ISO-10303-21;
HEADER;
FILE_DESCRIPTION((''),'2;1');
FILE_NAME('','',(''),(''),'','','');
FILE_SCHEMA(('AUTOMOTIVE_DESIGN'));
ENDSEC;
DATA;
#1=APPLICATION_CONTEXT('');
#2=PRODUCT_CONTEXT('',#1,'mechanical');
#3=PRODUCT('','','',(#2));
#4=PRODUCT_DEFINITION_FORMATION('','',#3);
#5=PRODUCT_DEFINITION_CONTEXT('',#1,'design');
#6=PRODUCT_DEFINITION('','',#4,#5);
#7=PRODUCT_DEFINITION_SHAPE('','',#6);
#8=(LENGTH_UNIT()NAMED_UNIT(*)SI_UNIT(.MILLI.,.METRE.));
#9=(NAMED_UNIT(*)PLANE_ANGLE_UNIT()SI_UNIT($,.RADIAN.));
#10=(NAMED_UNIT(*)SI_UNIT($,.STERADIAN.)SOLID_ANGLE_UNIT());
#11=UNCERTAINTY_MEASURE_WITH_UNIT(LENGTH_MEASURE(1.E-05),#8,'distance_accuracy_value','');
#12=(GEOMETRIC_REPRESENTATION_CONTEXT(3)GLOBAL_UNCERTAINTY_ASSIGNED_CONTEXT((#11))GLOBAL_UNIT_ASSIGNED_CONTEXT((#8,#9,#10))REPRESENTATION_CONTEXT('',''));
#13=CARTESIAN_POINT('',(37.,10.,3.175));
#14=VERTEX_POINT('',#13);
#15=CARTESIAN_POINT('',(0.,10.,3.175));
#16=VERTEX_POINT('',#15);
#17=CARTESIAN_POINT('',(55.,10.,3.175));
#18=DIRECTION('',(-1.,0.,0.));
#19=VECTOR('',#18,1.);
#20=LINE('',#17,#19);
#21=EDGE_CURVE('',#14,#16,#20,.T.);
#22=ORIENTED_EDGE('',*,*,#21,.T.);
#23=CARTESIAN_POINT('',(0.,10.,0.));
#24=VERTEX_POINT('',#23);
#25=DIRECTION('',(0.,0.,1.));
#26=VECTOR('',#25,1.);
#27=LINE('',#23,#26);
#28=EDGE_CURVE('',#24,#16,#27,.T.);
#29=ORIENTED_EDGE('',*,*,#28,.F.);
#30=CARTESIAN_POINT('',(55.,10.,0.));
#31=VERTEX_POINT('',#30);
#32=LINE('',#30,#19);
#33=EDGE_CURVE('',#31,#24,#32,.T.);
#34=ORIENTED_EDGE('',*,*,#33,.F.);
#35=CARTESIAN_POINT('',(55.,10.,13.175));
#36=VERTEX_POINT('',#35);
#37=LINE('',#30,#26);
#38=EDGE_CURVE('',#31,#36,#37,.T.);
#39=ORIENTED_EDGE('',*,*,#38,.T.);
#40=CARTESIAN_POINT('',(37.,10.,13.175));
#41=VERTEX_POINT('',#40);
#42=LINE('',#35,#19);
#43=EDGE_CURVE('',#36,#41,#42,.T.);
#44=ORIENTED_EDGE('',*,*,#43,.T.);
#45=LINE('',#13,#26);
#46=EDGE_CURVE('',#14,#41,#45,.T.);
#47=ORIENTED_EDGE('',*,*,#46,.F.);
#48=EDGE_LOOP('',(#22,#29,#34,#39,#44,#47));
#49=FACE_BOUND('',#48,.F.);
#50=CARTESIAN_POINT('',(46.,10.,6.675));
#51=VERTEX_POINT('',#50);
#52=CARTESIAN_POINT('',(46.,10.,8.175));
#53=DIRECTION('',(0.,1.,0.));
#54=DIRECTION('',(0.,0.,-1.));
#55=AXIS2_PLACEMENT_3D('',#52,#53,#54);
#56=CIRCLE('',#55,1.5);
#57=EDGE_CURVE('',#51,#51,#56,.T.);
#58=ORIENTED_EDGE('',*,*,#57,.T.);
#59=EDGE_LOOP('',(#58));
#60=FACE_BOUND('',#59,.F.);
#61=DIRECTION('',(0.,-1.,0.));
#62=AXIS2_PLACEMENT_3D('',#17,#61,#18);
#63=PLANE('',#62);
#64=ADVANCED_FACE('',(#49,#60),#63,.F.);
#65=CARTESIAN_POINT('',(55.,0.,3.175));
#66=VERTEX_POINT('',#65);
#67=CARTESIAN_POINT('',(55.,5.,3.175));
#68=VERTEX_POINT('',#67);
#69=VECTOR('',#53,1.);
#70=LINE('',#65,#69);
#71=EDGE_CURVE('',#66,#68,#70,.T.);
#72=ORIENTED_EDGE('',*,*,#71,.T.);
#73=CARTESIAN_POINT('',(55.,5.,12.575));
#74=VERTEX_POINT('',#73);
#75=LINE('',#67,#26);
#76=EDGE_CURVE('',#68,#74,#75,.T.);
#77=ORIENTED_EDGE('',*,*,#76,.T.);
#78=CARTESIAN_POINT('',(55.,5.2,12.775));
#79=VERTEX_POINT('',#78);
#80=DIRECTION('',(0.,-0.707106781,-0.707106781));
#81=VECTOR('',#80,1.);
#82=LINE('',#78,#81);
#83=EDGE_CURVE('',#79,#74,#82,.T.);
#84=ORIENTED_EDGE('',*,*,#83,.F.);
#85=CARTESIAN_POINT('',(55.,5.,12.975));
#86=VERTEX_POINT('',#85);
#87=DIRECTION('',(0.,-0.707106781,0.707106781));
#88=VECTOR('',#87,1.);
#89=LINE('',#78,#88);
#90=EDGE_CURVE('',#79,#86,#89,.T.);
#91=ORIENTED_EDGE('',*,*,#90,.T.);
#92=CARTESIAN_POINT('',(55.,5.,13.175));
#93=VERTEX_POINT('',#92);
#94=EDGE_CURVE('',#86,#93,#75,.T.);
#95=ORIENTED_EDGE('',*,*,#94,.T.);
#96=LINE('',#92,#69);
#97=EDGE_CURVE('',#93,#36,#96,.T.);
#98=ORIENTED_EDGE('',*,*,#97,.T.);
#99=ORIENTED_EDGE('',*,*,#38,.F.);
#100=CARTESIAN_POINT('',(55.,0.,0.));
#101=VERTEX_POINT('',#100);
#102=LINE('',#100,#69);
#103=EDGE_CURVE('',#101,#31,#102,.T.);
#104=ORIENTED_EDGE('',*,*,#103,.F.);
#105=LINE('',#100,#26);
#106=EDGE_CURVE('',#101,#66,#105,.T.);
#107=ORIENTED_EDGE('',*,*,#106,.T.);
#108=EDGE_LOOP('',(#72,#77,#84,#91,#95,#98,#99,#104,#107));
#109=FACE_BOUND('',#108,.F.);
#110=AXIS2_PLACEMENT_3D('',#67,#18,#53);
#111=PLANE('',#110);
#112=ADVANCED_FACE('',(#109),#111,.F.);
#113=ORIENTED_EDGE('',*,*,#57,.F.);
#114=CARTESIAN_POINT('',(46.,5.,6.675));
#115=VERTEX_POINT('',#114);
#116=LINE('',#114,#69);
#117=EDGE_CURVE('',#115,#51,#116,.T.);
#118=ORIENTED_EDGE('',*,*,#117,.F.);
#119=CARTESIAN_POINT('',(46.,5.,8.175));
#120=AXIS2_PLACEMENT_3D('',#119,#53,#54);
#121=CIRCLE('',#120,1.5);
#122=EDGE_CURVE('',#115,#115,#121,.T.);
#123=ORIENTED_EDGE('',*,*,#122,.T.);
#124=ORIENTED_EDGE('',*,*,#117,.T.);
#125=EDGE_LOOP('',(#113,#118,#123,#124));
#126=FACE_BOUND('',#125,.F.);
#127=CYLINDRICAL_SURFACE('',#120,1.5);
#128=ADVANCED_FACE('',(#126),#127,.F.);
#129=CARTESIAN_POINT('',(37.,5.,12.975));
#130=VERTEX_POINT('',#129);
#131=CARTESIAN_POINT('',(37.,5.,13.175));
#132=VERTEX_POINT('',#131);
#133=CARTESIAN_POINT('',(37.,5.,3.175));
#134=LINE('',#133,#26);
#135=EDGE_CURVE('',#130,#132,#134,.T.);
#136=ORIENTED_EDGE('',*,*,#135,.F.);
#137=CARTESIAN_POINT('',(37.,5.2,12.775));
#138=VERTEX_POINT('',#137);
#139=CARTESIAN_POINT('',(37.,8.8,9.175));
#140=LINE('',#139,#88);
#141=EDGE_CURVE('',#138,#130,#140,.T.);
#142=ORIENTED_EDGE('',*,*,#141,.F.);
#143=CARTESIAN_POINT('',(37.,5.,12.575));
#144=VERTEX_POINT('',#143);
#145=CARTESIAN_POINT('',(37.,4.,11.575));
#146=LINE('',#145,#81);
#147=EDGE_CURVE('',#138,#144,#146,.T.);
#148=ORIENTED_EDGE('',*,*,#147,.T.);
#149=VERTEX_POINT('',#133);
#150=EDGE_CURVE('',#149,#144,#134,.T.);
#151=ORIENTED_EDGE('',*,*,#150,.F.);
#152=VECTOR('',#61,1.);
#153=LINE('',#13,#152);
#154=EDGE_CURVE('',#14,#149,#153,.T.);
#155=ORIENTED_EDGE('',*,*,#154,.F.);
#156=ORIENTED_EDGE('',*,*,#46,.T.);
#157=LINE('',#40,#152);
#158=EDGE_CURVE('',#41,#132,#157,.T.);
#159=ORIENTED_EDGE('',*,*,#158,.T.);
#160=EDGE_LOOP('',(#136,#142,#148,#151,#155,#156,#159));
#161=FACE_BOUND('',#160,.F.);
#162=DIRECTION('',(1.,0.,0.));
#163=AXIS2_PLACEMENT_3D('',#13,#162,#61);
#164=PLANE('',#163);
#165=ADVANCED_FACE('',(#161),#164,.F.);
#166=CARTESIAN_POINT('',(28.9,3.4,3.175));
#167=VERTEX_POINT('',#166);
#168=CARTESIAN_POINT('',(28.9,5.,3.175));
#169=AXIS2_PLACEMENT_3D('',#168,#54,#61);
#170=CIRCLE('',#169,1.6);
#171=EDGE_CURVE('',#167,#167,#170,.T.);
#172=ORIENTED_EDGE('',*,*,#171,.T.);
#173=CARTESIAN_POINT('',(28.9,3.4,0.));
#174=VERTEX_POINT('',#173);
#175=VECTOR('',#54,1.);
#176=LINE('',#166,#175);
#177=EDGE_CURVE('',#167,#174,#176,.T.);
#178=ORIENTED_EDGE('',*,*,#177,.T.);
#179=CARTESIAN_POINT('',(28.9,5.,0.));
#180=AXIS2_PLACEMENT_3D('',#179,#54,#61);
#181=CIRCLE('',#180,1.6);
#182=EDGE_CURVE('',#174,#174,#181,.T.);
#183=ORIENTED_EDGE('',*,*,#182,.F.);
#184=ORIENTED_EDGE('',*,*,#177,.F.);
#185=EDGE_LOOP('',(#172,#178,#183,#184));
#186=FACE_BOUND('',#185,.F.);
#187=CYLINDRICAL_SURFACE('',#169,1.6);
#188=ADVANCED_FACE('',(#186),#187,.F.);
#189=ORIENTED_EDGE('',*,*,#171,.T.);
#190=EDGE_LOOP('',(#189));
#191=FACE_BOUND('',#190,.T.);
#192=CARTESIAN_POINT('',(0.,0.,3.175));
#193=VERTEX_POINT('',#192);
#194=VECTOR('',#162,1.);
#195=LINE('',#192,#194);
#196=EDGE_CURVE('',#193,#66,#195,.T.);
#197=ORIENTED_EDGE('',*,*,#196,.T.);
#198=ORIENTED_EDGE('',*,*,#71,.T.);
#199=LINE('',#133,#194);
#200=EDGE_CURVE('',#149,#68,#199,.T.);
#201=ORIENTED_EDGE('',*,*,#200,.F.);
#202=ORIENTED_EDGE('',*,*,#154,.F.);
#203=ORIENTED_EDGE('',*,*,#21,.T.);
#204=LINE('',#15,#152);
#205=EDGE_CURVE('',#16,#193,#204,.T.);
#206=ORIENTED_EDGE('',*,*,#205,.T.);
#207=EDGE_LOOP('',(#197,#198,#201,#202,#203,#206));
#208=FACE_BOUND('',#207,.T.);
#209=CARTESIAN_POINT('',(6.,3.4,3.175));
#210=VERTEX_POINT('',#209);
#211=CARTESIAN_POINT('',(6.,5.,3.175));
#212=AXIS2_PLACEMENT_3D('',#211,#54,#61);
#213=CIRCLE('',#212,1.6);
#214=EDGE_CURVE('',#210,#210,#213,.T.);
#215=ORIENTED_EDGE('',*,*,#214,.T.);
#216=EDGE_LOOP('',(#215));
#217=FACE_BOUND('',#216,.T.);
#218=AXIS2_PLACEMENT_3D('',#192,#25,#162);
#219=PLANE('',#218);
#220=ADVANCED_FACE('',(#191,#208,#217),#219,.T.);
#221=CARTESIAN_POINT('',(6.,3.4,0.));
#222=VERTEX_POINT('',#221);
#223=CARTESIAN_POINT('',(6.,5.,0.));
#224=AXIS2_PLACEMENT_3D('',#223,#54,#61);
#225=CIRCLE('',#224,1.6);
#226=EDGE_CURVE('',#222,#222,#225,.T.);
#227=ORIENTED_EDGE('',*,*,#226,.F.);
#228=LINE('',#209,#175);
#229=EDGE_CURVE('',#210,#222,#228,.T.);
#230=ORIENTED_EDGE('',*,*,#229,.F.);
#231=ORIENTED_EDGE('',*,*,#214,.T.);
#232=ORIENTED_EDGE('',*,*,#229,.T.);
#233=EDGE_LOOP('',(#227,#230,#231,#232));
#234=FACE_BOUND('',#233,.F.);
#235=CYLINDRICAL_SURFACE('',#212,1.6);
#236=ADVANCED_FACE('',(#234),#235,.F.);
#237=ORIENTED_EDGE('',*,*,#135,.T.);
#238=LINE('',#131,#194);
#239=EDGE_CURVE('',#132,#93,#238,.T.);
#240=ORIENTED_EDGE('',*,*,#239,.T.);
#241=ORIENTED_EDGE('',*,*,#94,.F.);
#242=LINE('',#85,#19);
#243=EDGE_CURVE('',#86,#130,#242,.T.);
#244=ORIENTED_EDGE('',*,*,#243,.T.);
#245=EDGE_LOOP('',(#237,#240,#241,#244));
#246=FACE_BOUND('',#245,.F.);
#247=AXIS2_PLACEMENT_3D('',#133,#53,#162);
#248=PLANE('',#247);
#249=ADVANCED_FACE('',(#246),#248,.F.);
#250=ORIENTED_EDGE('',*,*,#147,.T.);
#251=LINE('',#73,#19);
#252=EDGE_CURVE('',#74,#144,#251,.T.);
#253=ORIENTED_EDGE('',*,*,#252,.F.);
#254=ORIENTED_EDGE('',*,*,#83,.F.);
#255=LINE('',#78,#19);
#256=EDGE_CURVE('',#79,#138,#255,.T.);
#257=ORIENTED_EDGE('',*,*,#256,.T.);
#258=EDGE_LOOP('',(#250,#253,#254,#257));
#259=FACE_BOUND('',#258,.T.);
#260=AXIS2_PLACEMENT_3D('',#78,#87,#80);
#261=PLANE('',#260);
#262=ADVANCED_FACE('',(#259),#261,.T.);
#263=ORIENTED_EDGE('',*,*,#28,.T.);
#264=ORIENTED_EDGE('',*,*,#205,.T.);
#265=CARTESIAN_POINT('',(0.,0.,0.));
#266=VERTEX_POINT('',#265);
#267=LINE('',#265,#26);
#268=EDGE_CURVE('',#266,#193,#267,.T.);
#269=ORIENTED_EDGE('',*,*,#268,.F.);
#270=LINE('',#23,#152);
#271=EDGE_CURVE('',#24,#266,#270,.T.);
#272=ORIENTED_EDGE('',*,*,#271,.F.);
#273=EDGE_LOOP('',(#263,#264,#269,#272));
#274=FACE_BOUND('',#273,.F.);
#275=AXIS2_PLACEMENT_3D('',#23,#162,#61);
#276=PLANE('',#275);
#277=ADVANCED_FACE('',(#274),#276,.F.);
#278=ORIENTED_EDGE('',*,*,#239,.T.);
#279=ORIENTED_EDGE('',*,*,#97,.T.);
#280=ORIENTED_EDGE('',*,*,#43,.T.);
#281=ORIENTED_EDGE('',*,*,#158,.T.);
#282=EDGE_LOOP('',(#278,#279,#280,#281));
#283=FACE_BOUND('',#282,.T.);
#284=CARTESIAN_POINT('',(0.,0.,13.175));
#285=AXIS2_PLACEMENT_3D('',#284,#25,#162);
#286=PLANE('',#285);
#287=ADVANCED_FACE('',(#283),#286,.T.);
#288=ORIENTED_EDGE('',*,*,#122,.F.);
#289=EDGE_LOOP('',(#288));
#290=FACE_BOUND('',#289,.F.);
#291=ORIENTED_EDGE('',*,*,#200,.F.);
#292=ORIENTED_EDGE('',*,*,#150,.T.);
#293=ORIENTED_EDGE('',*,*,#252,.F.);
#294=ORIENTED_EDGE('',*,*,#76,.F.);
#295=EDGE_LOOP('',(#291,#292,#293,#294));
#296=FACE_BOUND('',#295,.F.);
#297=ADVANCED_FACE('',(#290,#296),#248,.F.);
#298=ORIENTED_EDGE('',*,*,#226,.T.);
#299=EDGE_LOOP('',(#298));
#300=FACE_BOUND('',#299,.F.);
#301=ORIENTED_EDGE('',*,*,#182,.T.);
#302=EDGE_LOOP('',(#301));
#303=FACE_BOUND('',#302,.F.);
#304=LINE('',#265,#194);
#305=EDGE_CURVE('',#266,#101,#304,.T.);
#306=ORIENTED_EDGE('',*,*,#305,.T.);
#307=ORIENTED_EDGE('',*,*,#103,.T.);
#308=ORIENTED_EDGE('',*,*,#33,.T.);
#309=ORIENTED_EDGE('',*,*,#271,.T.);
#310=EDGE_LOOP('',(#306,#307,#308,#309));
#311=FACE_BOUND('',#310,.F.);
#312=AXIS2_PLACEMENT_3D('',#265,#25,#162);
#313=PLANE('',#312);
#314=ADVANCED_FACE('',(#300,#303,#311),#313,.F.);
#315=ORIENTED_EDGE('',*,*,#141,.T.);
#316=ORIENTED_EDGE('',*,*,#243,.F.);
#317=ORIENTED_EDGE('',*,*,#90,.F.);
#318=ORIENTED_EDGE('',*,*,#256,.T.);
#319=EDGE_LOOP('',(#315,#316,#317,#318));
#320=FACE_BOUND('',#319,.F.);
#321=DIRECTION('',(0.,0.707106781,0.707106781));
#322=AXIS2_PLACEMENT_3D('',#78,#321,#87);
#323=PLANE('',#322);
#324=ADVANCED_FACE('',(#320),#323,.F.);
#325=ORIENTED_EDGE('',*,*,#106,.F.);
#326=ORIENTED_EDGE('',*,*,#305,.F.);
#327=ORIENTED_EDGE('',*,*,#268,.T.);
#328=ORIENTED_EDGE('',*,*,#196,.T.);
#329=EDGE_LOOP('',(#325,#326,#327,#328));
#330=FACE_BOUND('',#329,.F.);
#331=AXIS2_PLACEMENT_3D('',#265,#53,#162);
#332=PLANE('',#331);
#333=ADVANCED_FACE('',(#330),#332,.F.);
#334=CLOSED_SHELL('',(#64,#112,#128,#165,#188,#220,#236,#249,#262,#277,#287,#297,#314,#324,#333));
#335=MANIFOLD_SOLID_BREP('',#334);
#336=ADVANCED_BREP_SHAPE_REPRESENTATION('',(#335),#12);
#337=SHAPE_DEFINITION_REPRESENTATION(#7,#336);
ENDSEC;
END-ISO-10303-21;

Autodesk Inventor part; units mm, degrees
ref_plane "YZ Plane" through (0, 0, 0) normal (1, 0, 0) x (0, 1, 0)
ref_plane "XZ Plane" through (0, 0, 0) normal (0, 1, 0) x (-1, 0, 0)
ref_plane "XY Plane" through (0, 0, 0) normal (0, 0, 1) x (1, 0, 0)
sketch "Sketch1" plane through (0, 0, 0) normal (0, 0, 1) x (1, 0, 0)
  line L0 (0, 0) -> (55, 0)
  line L1 (55, 0) -> (55, 10)
  line L2 (55, 10) -> (0, 10)
  line L3 (0, 10) -> (0, 0)
  dimension "d0" = 55
  dimension "d1" = 10
extrude "Extrusion1" add sketch "Sketch1" along normal blind 3.175
sketch "Sketch3" plane through (0, 0, 3.175) normal (0, 0, 1) x (1, 0, 0)
  line L0 (37, 5) -> (55, 5) projected
  line L1 (0, 10) -> (55, 10) projected
  line L2 (0, 0) -> (6, 0) construction
  line L3 (6, 0) -> (6, 10) construction
  line L4 (6, 10) -> (0, 10) construction
  line L5 (0, 10) -> (0, 0) construction
  line L6 (-4.3576, 5) -> (33.1549, 5) construction
  line L7 (6, 0) -> (28.9, 0) construction
  line L8 (28.9, 0) -> (28.9, 6.8677) construction
  line L9 (28.9, 6.8677) -> (6, 6.8677) construction
  line L10 (6, 6.8677) -> (6, 0) construction
  point P0 (6, 5)
  point P1 (28.9, 5)
  dimension "d8" = 6
  dimension "d9" = 22.9
hole "Hole1" at (6, 5, 3.175) at (28.9, 5, 3.175) direction (0, 0, -1) diameter 3.2 end through all
sketch "Sketch6" plane through (0, 0, 3.175) normal (0, 0, 1) x (1, 0, 0)
  line L0 (55, 10) -> (37, 10)
  line L1 (37, 10) -> (37, 5)
  line L2 (37, 5) -> (55, 5)
  line L3 (55, 5) -> (55, 10)
  dimension "d32" = 18
  dimension "d33" = 5
extrude "Extrusion4" add sketch "Sketch6" along normal blind 10
sketch "Sketch7" plane through (37, 5, 3.175) normal (0, -1, 0) x (1, 0, 0)
  line L0 (18, 0) -> (18, 10) projected
  line L1 (9, 13.1417) -> (9, -6.2593) construction
  line L2 (-2.325, 5) -> (23.2178, 5) construction
  point P0 (-37, -3.175)
  point P1 (9, 5)
hole "Hole3" at (46, 5, 8.175) direction (0, 1, 0) diameter 3 end through all
thread "Thread2" size "M3x0.5" class "6H" standard "ISO Metric profile" full length
sketch "Sketch8" plane through (55, 0, 0) normal (1, 0, 0) x (0, 0, -1)
  line L0 (-3.175, 5) -> (-13.175, 5) projected
  line L1 (-13.175, 5) -> (-12.775, 5) construction
  line L2 (-12.775, 5) -> (-12.775, 5.2) construction
  line L3 (-12.775, 5.2) -> (-13.175, 5.2) construction
  line L4 (-13.175, 5.2) -> (-13.175, 5) construction
  line L5 (-12.775, 5.2) -> (-12.575, 5)
  line L6 (-12.775, 5.2) -> (-12.4922, 5.2) construction
  line L7 (-12.775, 5.2) -> (-12.975, 5)
  line L8 (-12.775, 5.2) -> (-12.4922, 5.2) construction
  line L9 (-12.975, 5) -> (-12.575, 5)
  dimension "d45" = 0.4
  dimension "d46" = 0.2
  dimension "d47" = 45
  dimension "d48" = 135
extrude "Extrusion5" cut sketch "Sketch8" against normal through all
properties part number "alpha_omega_holder"
